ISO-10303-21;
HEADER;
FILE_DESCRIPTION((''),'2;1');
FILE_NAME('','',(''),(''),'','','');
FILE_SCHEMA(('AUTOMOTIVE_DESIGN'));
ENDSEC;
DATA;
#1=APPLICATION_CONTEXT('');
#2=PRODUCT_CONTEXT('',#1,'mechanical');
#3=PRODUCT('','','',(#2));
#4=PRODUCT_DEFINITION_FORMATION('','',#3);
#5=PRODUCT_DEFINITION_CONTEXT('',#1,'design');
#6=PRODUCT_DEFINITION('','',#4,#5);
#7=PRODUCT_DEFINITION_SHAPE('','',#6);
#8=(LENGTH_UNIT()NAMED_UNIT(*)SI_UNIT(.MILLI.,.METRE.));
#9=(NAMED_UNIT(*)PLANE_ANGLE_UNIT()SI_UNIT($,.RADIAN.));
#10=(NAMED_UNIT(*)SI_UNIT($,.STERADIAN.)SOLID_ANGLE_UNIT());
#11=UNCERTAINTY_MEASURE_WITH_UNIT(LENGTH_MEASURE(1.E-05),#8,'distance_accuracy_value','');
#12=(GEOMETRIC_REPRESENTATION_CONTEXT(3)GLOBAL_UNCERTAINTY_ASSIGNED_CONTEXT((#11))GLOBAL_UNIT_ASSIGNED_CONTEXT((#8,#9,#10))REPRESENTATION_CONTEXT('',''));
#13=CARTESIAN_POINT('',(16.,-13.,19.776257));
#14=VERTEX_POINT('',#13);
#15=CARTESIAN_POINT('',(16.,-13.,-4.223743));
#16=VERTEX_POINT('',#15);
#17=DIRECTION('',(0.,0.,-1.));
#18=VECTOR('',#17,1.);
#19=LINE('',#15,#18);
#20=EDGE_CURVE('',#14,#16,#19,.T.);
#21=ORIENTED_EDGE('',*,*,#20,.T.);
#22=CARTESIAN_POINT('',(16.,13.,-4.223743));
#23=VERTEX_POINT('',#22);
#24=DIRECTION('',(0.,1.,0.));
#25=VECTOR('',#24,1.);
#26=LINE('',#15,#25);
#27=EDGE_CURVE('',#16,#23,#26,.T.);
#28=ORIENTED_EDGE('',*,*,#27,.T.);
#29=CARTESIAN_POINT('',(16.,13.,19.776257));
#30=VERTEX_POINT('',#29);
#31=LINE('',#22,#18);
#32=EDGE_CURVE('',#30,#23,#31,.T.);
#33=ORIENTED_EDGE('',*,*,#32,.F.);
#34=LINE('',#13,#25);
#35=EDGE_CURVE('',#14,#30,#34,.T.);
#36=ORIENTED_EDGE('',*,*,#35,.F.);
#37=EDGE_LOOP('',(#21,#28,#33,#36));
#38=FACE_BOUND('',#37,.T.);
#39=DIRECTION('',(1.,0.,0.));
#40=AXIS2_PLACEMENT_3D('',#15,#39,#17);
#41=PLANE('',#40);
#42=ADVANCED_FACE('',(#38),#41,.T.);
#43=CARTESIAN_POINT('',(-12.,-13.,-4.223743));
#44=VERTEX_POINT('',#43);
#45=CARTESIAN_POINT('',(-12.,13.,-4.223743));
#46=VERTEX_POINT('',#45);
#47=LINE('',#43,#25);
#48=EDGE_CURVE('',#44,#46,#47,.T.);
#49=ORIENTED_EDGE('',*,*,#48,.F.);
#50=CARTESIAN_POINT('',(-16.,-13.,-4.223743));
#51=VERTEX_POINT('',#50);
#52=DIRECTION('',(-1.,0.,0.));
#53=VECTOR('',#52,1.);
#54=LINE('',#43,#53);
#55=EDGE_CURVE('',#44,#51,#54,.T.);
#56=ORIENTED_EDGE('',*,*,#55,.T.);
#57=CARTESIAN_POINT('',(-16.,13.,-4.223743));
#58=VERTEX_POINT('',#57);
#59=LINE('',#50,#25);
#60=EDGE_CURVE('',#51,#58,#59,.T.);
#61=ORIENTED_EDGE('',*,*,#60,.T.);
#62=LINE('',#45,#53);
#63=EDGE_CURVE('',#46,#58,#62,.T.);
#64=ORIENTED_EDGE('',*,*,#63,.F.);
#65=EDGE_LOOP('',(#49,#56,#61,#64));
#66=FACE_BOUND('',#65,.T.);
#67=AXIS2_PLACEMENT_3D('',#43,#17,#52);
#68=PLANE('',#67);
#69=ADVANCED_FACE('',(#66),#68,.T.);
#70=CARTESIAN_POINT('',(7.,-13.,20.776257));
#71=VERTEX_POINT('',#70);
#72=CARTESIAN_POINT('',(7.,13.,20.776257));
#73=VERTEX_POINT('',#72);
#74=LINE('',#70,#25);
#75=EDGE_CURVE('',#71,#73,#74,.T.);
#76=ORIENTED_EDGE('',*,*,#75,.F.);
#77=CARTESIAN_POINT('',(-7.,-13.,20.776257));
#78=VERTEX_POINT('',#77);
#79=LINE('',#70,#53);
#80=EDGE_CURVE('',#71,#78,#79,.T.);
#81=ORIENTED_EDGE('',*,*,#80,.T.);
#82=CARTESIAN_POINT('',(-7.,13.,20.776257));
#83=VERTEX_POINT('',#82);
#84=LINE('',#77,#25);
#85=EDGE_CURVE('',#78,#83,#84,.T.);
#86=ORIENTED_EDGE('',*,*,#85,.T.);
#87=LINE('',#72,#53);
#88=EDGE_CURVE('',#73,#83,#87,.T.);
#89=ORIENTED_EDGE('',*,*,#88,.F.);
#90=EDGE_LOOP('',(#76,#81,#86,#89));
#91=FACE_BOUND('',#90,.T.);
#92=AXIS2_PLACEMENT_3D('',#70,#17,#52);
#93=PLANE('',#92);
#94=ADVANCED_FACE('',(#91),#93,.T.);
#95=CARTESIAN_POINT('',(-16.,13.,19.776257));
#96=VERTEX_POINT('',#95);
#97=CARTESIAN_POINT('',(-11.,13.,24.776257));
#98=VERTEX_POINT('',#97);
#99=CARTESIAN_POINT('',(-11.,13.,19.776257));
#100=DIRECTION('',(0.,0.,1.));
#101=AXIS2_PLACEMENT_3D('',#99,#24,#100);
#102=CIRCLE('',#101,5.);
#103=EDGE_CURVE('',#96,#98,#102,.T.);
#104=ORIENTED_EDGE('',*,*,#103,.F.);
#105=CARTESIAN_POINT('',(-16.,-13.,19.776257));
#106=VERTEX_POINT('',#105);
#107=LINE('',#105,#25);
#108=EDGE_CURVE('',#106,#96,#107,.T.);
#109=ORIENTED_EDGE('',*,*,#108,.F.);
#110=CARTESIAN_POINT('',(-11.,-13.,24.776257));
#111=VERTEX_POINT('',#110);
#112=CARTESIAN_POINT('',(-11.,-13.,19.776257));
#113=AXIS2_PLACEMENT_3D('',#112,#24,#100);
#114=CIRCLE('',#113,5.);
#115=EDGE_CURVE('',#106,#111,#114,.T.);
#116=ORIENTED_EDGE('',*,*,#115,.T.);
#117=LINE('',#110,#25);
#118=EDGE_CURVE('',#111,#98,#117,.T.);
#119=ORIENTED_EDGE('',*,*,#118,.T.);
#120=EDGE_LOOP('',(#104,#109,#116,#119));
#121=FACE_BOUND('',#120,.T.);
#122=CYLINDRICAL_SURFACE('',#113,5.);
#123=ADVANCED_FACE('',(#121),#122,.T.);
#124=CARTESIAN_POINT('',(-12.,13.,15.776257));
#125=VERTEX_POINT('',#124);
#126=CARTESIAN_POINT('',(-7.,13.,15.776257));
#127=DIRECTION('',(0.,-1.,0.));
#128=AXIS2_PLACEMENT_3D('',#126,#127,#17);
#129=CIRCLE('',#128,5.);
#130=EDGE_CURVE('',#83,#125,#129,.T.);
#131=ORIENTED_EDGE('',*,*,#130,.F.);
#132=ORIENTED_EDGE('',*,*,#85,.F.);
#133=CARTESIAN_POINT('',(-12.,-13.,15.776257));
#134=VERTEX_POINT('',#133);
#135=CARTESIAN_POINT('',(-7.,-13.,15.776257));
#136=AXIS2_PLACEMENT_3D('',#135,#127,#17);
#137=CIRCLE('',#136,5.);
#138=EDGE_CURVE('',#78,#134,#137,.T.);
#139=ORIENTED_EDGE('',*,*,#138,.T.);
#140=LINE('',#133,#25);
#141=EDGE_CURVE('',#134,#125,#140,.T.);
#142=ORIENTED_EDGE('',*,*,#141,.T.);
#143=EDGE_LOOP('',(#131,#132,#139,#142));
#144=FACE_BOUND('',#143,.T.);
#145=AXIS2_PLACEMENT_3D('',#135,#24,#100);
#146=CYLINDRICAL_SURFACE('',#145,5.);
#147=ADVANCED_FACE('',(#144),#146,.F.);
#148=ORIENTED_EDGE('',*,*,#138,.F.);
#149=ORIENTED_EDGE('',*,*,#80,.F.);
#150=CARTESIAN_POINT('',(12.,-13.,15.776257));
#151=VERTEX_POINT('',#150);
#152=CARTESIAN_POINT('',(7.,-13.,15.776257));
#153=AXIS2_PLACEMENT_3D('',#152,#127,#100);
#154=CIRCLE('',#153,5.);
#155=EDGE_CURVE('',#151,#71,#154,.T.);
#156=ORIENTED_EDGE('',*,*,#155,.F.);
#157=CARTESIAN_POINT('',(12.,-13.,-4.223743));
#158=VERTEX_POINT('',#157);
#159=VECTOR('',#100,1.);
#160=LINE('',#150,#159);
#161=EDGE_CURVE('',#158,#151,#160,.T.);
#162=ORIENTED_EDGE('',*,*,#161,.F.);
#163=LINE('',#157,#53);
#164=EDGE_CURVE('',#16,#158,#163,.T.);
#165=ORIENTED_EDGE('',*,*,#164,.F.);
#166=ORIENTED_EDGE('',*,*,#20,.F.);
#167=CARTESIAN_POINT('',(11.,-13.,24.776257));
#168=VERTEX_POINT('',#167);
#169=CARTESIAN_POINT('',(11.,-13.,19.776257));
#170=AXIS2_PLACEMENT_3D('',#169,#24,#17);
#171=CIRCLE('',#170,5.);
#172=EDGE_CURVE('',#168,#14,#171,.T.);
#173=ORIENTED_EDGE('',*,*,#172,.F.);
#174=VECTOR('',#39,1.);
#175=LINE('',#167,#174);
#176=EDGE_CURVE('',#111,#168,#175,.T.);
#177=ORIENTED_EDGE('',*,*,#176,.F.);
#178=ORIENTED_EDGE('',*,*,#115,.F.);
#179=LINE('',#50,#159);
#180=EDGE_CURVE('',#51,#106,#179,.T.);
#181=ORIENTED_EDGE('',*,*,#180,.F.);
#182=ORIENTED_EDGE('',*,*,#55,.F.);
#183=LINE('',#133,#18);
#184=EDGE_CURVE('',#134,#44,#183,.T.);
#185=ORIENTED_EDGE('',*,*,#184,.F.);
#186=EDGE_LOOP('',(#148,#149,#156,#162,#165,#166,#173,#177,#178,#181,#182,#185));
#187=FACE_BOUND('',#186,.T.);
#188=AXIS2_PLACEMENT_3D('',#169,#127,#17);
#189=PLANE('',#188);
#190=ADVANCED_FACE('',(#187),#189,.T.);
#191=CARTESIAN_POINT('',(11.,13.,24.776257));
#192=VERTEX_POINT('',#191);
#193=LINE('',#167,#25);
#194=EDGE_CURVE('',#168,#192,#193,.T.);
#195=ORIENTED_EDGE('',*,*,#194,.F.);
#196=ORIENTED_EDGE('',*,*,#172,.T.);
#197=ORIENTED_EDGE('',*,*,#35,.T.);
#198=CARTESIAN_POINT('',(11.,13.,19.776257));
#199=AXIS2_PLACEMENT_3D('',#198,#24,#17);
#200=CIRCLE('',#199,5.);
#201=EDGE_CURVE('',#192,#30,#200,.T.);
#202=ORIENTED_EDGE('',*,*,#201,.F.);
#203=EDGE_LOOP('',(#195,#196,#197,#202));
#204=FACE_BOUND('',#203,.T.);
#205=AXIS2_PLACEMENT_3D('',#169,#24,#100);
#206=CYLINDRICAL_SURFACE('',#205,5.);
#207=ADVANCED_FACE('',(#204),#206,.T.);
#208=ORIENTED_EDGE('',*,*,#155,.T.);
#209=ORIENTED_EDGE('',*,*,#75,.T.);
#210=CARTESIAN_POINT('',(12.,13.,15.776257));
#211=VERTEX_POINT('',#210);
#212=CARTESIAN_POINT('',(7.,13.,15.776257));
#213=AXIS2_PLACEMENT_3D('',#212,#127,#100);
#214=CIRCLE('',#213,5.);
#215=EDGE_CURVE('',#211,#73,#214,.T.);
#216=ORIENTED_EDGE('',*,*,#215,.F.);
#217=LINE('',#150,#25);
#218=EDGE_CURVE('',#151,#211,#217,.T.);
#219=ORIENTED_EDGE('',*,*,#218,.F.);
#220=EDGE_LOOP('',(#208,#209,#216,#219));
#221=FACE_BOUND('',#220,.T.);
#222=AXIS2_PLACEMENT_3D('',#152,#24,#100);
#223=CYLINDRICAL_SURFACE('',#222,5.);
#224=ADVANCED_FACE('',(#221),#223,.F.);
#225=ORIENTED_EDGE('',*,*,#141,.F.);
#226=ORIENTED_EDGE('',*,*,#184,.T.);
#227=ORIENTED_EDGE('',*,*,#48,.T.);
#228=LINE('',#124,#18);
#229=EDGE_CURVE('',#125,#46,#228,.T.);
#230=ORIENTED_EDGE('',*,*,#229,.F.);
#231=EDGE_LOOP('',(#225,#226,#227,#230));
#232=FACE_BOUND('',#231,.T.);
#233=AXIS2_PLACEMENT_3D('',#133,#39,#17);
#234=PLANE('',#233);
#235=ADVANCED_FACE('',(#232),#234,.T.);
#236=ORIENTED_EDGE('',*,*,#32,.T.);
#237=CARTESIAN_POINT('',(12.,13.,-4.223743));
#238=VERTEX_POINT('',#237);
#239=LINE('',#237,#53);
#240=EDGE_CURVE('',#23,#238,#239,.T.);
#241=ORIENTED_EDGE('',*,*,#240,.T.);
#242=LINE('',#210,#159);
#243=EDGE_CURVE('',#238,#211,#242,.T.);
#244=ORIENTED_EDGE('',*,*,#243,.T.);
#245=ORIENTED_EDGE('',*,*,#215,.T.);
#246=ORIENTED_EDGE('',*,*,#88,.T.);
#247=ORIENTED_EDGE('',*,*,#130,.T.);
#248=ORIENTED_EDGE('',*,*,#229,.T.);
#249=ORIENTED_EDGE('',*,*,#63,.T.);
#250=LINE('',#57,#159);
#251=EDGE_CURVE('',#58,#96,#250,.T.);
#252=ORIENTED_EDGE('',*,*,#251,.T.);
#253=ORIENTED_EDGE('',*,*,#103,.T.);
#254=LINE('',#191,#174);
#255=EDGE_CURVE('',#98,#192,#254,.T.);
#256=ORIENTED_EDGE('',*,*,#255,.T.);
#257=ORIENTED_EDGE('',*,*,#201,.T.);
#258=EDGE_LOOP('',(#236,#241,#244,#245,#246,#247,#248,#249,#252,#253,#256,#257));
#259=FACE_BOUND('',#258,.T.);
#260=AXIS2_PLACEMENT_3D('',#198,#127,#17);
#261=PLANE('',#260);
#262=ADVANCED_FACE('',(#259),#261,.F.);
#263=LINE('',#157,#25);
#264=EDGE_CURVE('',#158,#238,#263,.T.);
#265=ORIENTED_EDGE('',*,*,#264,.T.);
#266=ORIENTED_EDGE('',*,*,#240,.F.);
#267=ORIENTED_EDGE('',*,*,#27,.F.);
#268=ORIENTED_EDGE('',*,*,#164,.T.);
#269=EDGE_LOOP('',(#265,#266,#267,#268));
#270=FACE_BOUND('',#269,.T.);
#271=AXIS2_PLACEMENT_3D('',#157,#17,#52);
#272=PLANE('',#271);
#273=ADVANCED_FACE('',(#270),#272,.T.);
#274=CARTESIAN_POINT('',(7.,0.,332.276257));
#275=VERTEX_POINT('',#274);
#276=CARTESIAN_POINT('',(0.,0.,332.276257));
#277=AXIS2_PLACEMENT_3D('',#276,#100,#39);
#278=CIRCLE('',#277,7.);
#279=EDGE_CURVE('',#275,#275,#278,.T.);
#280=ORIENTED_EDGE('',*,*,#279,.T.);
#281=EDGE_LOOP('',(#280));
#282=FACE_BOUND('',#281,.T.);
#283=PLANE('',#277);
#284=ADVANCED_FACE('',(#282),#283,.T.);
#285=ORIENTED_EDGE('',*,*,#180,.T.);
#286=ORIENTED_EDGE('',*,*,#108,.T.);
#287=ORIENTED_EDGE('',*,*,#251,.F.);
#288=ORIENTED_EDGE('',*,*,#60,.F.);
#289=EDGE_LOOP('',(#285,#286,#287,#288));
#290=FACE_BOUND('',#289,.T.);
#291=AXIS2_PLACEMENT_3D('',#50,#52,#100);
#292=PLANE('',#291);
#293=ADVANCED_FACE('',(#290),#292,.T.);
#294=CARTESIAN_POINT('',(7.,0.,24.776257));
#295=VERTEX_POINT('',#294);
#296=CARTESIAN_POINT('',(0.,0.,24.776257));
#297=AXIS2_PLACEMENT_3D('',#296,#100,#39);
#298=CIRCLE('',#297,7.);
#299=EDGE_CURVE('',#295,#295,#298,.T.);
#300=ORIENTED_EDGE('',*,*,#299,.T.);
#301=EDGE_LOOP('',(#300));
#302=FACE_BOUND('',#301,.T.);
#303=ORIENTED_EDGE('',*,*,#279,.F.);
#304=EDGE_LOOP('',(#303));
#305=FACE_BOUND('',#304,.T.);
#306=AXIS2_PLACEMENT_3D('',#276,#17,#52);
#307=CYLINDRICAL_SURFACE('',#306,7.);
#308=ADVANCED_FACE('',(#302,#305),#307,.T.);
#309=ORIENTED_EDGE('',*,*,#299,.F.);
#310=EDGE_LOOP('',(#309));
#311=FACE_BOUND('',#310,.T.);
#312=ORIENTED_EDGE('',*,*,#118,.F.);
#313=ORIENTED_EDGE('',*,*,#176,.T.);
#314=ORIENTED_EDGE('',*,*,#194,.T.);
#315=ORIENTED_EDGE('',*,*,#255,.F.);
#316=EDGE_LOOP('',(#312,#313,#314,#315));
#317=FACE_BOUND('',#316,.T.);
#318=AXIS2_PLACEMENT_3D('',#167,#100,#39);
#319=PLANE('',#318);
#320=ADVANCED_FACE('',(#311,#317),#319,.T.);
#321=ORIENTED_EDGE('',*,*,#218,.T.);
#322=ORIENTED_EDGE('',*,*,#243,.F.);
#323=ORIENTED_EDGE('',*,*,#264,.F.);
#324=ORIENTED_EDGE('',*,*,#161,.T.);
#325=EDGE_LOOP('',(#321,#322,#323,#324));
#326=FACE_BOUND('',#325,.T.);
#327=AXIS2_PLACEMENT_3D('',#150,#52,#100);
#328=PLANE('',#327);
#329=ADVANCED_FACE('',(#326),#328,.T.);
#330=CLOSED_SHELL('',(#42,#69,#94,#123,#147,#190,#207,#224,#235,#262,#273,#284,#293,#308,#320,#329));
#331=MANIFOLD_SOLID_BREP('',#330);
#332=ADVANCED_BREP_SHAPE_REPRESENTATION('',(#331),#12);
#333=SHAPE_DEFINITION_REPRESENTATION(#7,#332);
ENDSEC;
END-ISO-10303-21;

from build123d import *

# Parameters (mm, degrees)
BOSS_EXTRUDE1_DEPTH      = 13
BOSS_EXTRUDE1_DEPTH_BACK = 13
SKETCH2_R                = 7
BOSS_EXTRUDE2_DEPTH      = 307.5


with BuildPart() as part:
    # Sketch1 → Boss-Extrude1 (new, two sides: drawn at the far end of the back side and taken through both)
    with BuildSketch(Plane(origin=(0, 0, 0), x_dir=(1, 0, 0), z_dir=(0, 1, 0)).offset(-BOSS_EXTRUDE1_DEPTH_BACK)):
        with BuildLine():
            Line((7, -20.776256957), (-7, -20.776256957))
            ThreePointArc((-7, -20.776256957), (-10.535533906, -19.311790863), (-12, -15.776256957))
            Line((-12, -15.776256957), (-12, 4.223743043))
            Line((-12, 4.223743043), (-16, 4.223743043))
            Line((-16, 4.223743043), (-16, -19.776256957))
            ThreePointArc((-16, -19.776256957), (-14.535533906, -23.311790863), (-11, -24.776256957))
            Line((-11, -24.776256957), (11, -24.776256957))
            ThreePointArc((11, -24.776256957), (14.535533906, -23.311790863), (16, -19.776256957))
            Line((16, -19.776256957), (16, 4.223743043))
            Line((16, 4.223743043), (12, 4.223743043))
            Line((12, 4.223743043), (12, -15.776256957))
            ThreePointArc((12, -15.776256957), (10.535533906, -19.311790863), (7, -20.776256957))
        make_face()
    extrude(amount=BOSS_EXTRUDE1_DEPTH + BOSS_EXTRUDE1_DEPTH_BACK)

    # Sketch2 → Boss-Extrude2 (add)
    with BuildSketch(Plane.XY.offset(24.776256957)):
        Circle(SKETCH2_R)
    extrude(amount=BOSS_EXTRUDE2_DEPTH)


solid = part.part
